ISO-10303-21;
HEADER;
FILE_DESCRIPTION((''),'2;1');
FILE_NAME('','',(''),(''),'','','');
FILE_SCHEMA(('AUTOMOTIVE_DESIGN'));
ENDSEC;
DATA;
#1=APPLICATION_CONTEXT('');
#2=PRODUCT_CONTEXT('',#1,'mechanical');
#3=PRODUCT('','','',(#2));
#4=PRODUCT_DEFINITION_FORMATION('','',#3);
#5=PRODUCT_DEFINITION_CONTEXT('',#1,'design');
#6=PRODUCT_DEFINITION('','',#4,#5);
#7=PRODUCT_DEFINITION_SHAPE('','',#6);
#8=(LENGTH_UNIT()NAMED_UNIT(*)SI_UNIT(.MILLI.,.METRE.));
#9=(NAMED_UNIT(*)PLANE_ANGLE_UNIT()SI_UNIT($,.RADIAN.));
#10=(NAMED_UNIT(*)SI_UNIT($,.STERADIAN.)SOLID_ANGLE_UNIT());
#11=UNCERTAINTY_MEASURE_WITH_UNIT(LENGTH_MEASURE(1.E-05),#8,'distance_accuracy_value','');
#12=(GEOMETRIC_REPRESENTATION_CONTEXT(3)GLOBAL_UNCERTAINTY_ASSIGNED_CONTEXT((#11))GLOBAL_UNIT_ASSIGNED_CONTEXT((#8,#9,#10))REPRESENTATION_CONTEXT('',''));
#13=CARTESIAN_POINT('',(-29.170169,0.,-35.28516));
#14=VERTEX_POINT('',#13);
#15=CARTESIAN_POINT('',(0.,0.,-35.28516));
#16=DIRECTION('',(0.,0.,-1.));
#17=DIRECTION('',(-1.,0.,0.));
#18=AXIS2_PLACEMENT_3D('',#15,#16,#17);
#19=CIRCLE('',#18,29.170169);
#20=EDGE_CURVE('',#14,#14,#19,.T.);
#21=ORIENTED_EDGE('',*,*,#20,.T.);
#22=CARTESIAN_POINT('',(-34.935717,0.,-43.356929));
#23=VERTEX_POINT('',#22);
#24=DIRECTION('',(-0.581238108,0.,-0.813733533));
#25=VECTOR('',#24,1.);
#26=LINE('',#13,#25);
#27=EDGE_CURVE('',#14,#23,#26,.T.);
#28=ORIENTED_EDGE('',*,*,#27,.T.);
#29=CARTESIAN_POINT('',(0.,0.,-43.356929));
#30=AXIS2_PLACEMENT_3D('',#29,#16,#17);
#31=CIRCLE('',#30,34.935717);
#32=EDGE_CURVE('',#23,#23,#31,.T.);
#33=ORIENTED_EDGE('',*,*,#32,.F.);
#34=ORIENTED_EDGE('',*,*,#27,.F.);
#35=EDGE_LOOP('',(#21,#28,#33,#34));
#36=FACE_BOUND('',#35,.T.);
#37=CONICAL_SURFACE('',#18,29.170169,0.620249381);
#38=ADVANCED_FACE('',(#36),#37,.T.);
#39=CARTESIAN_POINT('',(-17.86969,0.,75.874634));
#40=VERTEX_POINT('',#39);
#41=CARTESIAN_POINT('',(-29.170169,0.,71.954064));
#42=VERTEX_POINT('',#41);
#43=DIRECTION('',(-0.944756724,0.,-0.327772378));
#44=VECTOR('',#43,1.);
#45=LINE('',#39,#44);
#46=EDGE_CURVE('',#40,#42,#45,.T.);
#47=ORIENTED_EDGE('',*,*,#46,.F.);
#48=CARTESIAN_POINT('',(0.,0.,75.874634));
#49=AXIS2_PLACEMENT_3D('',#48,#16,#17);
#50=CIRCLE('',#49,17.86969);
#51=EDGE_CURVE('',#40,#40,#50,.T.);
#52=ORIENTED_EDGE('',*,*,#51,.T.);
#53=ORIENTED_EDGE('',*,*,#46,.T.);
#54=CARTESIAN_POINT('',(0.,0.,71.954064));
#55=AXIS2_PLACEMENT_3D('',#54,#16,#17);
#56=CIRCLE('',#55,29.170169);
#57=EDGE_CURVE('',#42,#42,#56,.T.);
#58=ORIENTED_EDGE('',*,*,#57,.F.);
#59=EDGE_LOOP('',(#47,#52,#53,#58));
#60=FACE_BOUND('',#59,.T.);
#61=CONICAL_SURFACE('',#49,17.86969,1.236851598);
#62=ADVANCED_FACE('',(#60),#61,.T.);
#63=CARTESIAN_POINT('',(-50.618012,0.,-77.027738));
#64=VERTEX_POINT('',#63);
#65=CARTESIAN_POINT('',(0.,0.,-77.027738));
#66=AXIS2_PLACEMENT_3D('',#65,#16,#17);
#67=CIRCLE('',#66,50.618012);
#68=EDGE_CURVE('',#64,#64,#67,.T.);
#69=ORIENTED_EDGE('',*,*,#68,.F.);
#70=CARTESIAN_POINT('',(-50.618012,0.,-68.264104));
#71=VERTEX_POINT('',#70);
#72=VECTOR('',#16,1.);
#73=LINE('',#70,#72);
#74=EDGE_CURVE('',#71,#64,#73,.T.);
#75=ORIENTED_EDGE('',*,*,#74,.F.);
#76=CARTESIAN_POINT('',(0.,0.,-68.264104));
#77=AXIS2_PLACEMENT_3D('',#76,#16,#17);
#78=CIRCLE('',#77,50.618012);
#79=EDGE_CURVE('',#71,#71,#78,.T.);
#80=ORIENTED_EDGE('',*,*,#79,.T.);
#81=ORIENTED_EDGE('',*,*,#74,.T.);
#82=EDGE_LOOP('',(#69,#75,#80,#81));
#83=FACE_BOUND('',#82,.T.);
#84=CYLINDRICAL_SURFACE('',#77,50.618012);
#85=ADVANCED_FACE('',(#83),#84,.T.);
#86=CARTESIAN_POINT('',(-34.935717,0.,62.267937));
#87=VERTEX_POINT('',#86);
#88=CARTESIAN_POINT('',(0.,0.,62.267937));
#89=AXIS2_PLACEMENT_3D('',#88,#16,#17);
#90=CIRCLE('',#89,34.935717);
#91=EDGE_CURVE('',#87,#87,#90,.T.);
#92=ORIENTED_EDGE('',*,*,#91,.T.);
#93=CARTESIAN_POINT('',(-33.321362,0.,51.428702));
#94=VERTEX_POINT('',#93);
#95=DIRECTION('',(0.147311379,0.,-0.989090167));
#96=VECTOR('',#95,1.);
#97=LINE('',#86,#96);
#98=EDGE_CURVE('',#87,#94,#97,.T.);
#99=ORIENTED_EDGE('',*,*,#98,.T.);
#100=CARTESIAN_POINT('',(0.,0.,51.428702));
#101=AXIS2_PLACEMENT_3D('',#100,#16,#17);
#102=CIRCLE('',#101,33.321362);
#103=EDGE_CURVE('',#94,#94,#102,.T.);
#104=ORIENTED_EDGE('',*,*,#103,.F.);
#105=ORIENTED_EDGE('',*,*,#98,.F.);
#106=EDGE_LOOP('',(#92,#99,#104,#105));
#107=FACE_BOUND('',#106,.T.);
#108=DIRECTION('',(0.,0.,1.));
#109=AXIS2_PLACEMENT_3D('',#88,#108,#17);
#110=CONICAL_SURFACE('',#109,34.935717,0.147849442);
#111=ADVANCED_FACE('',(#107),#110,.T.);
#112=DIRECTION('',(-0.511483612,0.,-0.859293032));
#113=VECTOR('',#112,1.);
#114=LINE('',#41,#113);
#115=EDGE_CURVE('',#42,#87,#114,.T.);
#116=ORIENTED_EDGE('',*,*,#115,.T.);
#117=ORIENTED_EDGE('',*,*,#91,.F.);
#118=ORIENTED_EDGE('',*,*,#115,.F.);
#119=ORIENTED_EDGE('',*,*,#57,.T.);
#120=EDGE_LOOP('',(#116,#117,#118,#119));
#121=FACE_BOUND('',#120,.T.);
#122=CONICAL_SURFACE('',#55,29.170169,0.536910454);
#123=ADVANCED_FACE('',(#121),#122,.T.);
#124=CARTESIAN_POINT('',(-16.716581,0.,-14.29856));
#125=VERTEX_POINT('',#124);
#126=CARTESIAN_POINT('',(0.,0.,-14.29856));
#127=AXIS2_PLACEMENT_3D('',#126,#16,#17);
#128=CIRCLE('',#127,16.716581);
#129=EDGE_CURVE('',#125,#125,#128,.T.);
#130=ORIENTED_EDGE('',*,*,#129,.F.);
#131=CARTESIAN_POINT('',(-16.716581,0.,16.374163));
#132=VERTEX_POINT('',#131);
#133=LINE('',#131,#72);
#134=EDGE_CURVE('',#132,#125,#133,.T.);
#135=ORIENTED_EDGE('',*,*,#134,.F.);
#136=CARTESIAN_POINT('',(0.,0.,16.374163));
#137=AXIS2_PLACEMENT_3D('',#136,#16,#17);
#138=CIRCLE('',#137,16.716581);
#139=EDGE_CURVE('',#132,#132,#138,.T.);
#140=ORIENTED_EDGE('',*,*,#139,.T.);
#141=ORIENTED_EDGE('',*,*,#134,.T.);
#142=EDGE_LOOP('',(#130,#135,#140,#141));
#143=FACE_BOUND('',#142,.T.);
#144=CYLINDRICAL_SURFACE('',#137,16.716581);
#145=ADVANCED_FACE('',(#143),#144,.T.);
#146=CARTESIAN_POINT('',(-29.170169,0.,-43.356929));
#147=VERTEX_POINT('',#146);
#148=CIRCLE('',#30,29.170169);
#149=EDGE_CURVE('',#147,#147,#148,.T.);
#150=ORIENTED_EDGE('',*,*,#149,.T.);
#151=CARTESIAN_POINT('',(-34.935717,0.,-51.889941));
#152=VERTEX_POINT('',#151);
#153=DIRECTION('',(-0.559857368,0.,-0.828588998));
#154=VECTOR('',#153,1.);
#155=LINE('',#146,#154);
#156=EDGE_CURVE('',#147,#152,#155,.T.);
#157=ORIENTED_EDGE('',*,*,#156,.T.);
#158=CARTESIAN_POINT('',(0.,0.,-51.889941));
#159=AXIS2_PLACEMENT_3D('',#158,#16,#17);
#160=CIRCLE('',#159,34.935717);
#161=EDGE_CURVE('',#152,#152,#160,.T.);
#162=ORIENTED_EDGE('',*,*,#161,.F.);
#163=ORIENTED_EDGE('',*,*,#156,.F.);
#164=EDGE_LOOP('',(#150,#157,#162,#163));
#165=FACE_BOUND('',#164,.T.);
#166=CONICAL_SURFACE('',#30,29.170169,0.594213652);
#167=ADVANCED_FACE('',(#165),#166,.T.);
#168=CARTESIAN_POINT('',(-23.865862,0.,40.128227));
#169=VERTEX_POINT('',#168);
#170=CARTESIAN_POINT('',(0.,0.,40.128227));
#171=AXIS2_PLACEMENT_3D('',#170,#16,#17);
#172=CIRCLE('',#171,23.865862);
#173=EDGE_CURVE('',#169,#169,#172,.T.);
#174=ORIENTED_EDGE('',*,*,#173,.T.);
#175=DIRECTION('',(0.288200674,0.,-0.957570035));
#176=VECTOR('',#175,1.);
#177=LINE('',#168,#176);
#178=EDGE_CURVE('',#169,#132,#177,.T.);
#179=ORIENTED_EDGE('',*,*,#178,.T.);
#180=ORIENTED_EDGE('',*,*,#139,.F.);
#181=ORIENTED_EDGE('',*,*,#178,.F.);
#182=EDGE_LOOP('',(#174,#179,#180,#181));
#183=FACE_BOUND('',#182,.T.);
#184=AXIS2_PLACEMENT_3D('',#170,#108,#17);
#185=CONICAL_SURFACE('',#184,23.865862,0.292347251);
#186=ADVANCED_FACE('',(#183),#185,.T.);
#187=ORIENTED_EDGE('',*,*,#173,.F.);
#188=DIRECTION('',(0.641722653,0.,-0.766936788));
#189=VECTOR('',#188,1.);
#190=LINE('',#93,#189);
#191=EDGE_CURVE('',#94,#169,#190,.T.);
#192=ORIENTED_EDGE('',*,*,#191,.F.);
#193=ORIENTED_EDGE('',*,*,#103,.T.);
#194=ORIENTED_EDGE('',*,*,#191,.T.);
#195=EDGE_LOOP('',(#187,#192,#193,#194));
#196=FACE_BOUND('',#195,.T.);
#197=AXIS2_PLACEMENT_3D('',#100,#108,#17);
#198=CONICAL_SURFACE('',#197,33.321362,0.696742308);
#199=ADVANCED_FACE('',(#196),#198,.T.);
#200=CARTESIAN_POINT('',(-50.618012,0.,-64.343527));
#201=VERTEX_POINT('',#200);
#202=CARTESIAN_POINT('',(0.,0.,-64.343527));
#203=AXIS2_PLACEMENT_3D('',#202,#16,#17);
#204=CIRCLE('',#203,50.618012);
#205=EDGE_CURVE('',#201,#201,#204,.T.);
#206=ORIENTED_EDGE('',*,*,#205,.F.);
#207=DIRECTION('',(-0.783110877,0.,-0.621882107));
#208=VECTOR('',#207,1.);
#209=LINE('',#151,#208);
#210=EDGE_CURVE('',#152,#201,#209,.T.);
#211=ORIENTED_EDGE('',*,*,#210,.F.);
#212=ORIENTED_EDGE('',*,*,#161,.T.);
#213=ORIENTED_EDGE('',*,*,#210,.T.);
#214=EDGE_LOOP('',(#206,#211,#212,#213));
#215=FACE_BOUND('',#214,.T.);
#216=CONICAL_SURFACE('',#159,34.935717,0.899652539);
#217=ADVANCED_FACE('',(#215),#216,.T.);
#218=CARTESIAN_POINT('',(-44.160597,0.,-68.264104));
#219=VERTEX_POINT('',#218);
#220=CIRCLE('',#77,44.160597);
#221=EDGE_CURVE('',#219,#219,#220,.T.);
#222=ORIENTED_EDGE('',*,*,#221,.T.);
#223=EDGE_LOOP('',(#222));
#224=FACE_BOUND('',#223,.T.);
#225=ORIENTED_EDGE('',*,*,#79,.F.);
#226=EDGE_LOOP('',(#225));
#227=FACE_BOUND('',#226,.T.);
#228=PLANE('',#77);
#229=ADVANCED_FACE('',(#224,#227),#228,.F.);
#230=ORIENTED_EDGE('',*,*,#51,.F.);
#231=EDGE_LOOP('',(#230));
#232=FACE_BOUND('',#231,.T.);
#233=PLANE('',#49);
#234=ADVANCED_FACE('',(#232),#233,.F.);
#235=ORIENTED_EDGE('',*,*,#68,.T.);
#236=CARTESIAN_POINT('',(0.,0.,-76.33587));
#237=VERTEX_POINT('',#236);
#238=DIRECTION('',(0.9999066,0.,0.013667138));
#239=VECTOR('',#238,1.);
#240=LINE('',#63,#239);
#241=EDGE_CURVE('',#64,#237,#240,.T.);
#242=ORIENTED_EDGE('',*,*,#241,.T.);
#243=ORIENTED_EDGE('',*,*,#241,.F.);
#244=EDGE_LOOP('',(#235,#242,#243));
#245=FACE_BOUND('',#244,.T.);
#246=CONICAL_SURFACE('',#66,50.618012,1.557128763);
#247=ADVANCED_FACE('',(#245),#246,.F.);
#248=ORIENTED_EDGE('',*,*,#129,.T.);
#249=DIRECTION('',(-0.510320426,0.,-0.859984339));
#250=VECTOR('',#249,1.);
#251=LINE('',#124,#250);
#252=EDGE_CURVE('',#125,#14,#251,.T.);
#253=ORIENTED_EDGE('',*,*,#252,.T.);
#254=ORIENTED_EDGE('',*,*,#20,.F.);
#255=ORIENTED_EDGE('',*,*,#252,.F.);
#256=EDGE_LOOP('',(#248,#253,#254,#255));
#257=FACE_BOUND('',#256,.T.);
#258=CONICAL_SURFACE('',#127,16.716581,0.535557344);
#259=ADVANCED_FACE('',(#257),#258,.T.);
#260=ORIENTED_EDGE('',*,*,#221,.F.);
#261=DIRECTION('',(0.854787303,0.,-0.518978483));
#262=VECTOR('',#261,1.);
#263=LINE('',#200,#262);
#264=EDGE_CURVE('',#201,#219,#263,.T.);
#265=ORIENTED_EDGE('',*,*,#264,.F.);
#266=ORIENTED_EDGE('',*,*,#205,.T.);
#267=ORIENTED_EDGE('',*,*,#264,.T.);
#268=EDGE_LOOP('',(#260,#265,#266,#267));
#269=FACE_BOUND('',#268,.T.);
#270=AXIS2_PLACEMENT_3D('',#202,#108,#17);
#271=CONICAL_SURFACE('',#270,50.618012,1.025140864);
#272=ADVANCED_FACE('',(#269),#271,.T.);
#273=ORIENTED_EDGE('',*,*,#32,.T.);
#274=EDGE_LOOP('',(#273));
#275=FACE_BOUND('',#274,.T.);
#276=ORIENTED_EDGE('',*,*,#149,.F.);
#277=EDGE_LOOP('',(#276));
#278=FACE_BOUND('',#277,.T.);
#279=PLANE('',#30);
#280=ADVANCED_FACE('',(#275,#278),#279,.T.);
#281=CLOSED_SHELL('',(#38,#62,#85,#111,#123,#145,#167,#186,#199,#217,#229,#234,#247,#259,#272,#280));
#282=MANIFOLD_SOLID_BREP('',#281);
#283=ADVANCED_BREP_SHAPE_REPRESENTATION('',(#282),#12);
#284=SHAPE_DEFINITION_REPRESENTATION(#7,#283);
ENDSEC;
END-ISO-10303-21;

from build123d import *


with BuildPart() as f1:
    # F0 (on Front) → F1 (revolve)
    with BuildSketch(Plane.XZ):
        Polygon((0, -76.33587), (0, 75.874634), (-17.86969, 75.874634), (-29.170169, 71.954064), (-34.935717, 62.267937), (-33.321362, 51.428702), (-23.865862, 40.128227), (-16.716581, 16.374163), (-16.716581, -14.29856), (-29.170169, -35.28516), (-34.935717, -43.356929), (-29.170169, -43.356929), (-34.935717, -51.889941), (-50.618012, -64.343527), (-44.160597, -68.264104), (-50.618012, -68.264104), (-50.618012, -77.027738), align=None)
    revolve(axis=Axis((0, 0, -0.230618), (0, 0, -1)))


solid = f1.part
